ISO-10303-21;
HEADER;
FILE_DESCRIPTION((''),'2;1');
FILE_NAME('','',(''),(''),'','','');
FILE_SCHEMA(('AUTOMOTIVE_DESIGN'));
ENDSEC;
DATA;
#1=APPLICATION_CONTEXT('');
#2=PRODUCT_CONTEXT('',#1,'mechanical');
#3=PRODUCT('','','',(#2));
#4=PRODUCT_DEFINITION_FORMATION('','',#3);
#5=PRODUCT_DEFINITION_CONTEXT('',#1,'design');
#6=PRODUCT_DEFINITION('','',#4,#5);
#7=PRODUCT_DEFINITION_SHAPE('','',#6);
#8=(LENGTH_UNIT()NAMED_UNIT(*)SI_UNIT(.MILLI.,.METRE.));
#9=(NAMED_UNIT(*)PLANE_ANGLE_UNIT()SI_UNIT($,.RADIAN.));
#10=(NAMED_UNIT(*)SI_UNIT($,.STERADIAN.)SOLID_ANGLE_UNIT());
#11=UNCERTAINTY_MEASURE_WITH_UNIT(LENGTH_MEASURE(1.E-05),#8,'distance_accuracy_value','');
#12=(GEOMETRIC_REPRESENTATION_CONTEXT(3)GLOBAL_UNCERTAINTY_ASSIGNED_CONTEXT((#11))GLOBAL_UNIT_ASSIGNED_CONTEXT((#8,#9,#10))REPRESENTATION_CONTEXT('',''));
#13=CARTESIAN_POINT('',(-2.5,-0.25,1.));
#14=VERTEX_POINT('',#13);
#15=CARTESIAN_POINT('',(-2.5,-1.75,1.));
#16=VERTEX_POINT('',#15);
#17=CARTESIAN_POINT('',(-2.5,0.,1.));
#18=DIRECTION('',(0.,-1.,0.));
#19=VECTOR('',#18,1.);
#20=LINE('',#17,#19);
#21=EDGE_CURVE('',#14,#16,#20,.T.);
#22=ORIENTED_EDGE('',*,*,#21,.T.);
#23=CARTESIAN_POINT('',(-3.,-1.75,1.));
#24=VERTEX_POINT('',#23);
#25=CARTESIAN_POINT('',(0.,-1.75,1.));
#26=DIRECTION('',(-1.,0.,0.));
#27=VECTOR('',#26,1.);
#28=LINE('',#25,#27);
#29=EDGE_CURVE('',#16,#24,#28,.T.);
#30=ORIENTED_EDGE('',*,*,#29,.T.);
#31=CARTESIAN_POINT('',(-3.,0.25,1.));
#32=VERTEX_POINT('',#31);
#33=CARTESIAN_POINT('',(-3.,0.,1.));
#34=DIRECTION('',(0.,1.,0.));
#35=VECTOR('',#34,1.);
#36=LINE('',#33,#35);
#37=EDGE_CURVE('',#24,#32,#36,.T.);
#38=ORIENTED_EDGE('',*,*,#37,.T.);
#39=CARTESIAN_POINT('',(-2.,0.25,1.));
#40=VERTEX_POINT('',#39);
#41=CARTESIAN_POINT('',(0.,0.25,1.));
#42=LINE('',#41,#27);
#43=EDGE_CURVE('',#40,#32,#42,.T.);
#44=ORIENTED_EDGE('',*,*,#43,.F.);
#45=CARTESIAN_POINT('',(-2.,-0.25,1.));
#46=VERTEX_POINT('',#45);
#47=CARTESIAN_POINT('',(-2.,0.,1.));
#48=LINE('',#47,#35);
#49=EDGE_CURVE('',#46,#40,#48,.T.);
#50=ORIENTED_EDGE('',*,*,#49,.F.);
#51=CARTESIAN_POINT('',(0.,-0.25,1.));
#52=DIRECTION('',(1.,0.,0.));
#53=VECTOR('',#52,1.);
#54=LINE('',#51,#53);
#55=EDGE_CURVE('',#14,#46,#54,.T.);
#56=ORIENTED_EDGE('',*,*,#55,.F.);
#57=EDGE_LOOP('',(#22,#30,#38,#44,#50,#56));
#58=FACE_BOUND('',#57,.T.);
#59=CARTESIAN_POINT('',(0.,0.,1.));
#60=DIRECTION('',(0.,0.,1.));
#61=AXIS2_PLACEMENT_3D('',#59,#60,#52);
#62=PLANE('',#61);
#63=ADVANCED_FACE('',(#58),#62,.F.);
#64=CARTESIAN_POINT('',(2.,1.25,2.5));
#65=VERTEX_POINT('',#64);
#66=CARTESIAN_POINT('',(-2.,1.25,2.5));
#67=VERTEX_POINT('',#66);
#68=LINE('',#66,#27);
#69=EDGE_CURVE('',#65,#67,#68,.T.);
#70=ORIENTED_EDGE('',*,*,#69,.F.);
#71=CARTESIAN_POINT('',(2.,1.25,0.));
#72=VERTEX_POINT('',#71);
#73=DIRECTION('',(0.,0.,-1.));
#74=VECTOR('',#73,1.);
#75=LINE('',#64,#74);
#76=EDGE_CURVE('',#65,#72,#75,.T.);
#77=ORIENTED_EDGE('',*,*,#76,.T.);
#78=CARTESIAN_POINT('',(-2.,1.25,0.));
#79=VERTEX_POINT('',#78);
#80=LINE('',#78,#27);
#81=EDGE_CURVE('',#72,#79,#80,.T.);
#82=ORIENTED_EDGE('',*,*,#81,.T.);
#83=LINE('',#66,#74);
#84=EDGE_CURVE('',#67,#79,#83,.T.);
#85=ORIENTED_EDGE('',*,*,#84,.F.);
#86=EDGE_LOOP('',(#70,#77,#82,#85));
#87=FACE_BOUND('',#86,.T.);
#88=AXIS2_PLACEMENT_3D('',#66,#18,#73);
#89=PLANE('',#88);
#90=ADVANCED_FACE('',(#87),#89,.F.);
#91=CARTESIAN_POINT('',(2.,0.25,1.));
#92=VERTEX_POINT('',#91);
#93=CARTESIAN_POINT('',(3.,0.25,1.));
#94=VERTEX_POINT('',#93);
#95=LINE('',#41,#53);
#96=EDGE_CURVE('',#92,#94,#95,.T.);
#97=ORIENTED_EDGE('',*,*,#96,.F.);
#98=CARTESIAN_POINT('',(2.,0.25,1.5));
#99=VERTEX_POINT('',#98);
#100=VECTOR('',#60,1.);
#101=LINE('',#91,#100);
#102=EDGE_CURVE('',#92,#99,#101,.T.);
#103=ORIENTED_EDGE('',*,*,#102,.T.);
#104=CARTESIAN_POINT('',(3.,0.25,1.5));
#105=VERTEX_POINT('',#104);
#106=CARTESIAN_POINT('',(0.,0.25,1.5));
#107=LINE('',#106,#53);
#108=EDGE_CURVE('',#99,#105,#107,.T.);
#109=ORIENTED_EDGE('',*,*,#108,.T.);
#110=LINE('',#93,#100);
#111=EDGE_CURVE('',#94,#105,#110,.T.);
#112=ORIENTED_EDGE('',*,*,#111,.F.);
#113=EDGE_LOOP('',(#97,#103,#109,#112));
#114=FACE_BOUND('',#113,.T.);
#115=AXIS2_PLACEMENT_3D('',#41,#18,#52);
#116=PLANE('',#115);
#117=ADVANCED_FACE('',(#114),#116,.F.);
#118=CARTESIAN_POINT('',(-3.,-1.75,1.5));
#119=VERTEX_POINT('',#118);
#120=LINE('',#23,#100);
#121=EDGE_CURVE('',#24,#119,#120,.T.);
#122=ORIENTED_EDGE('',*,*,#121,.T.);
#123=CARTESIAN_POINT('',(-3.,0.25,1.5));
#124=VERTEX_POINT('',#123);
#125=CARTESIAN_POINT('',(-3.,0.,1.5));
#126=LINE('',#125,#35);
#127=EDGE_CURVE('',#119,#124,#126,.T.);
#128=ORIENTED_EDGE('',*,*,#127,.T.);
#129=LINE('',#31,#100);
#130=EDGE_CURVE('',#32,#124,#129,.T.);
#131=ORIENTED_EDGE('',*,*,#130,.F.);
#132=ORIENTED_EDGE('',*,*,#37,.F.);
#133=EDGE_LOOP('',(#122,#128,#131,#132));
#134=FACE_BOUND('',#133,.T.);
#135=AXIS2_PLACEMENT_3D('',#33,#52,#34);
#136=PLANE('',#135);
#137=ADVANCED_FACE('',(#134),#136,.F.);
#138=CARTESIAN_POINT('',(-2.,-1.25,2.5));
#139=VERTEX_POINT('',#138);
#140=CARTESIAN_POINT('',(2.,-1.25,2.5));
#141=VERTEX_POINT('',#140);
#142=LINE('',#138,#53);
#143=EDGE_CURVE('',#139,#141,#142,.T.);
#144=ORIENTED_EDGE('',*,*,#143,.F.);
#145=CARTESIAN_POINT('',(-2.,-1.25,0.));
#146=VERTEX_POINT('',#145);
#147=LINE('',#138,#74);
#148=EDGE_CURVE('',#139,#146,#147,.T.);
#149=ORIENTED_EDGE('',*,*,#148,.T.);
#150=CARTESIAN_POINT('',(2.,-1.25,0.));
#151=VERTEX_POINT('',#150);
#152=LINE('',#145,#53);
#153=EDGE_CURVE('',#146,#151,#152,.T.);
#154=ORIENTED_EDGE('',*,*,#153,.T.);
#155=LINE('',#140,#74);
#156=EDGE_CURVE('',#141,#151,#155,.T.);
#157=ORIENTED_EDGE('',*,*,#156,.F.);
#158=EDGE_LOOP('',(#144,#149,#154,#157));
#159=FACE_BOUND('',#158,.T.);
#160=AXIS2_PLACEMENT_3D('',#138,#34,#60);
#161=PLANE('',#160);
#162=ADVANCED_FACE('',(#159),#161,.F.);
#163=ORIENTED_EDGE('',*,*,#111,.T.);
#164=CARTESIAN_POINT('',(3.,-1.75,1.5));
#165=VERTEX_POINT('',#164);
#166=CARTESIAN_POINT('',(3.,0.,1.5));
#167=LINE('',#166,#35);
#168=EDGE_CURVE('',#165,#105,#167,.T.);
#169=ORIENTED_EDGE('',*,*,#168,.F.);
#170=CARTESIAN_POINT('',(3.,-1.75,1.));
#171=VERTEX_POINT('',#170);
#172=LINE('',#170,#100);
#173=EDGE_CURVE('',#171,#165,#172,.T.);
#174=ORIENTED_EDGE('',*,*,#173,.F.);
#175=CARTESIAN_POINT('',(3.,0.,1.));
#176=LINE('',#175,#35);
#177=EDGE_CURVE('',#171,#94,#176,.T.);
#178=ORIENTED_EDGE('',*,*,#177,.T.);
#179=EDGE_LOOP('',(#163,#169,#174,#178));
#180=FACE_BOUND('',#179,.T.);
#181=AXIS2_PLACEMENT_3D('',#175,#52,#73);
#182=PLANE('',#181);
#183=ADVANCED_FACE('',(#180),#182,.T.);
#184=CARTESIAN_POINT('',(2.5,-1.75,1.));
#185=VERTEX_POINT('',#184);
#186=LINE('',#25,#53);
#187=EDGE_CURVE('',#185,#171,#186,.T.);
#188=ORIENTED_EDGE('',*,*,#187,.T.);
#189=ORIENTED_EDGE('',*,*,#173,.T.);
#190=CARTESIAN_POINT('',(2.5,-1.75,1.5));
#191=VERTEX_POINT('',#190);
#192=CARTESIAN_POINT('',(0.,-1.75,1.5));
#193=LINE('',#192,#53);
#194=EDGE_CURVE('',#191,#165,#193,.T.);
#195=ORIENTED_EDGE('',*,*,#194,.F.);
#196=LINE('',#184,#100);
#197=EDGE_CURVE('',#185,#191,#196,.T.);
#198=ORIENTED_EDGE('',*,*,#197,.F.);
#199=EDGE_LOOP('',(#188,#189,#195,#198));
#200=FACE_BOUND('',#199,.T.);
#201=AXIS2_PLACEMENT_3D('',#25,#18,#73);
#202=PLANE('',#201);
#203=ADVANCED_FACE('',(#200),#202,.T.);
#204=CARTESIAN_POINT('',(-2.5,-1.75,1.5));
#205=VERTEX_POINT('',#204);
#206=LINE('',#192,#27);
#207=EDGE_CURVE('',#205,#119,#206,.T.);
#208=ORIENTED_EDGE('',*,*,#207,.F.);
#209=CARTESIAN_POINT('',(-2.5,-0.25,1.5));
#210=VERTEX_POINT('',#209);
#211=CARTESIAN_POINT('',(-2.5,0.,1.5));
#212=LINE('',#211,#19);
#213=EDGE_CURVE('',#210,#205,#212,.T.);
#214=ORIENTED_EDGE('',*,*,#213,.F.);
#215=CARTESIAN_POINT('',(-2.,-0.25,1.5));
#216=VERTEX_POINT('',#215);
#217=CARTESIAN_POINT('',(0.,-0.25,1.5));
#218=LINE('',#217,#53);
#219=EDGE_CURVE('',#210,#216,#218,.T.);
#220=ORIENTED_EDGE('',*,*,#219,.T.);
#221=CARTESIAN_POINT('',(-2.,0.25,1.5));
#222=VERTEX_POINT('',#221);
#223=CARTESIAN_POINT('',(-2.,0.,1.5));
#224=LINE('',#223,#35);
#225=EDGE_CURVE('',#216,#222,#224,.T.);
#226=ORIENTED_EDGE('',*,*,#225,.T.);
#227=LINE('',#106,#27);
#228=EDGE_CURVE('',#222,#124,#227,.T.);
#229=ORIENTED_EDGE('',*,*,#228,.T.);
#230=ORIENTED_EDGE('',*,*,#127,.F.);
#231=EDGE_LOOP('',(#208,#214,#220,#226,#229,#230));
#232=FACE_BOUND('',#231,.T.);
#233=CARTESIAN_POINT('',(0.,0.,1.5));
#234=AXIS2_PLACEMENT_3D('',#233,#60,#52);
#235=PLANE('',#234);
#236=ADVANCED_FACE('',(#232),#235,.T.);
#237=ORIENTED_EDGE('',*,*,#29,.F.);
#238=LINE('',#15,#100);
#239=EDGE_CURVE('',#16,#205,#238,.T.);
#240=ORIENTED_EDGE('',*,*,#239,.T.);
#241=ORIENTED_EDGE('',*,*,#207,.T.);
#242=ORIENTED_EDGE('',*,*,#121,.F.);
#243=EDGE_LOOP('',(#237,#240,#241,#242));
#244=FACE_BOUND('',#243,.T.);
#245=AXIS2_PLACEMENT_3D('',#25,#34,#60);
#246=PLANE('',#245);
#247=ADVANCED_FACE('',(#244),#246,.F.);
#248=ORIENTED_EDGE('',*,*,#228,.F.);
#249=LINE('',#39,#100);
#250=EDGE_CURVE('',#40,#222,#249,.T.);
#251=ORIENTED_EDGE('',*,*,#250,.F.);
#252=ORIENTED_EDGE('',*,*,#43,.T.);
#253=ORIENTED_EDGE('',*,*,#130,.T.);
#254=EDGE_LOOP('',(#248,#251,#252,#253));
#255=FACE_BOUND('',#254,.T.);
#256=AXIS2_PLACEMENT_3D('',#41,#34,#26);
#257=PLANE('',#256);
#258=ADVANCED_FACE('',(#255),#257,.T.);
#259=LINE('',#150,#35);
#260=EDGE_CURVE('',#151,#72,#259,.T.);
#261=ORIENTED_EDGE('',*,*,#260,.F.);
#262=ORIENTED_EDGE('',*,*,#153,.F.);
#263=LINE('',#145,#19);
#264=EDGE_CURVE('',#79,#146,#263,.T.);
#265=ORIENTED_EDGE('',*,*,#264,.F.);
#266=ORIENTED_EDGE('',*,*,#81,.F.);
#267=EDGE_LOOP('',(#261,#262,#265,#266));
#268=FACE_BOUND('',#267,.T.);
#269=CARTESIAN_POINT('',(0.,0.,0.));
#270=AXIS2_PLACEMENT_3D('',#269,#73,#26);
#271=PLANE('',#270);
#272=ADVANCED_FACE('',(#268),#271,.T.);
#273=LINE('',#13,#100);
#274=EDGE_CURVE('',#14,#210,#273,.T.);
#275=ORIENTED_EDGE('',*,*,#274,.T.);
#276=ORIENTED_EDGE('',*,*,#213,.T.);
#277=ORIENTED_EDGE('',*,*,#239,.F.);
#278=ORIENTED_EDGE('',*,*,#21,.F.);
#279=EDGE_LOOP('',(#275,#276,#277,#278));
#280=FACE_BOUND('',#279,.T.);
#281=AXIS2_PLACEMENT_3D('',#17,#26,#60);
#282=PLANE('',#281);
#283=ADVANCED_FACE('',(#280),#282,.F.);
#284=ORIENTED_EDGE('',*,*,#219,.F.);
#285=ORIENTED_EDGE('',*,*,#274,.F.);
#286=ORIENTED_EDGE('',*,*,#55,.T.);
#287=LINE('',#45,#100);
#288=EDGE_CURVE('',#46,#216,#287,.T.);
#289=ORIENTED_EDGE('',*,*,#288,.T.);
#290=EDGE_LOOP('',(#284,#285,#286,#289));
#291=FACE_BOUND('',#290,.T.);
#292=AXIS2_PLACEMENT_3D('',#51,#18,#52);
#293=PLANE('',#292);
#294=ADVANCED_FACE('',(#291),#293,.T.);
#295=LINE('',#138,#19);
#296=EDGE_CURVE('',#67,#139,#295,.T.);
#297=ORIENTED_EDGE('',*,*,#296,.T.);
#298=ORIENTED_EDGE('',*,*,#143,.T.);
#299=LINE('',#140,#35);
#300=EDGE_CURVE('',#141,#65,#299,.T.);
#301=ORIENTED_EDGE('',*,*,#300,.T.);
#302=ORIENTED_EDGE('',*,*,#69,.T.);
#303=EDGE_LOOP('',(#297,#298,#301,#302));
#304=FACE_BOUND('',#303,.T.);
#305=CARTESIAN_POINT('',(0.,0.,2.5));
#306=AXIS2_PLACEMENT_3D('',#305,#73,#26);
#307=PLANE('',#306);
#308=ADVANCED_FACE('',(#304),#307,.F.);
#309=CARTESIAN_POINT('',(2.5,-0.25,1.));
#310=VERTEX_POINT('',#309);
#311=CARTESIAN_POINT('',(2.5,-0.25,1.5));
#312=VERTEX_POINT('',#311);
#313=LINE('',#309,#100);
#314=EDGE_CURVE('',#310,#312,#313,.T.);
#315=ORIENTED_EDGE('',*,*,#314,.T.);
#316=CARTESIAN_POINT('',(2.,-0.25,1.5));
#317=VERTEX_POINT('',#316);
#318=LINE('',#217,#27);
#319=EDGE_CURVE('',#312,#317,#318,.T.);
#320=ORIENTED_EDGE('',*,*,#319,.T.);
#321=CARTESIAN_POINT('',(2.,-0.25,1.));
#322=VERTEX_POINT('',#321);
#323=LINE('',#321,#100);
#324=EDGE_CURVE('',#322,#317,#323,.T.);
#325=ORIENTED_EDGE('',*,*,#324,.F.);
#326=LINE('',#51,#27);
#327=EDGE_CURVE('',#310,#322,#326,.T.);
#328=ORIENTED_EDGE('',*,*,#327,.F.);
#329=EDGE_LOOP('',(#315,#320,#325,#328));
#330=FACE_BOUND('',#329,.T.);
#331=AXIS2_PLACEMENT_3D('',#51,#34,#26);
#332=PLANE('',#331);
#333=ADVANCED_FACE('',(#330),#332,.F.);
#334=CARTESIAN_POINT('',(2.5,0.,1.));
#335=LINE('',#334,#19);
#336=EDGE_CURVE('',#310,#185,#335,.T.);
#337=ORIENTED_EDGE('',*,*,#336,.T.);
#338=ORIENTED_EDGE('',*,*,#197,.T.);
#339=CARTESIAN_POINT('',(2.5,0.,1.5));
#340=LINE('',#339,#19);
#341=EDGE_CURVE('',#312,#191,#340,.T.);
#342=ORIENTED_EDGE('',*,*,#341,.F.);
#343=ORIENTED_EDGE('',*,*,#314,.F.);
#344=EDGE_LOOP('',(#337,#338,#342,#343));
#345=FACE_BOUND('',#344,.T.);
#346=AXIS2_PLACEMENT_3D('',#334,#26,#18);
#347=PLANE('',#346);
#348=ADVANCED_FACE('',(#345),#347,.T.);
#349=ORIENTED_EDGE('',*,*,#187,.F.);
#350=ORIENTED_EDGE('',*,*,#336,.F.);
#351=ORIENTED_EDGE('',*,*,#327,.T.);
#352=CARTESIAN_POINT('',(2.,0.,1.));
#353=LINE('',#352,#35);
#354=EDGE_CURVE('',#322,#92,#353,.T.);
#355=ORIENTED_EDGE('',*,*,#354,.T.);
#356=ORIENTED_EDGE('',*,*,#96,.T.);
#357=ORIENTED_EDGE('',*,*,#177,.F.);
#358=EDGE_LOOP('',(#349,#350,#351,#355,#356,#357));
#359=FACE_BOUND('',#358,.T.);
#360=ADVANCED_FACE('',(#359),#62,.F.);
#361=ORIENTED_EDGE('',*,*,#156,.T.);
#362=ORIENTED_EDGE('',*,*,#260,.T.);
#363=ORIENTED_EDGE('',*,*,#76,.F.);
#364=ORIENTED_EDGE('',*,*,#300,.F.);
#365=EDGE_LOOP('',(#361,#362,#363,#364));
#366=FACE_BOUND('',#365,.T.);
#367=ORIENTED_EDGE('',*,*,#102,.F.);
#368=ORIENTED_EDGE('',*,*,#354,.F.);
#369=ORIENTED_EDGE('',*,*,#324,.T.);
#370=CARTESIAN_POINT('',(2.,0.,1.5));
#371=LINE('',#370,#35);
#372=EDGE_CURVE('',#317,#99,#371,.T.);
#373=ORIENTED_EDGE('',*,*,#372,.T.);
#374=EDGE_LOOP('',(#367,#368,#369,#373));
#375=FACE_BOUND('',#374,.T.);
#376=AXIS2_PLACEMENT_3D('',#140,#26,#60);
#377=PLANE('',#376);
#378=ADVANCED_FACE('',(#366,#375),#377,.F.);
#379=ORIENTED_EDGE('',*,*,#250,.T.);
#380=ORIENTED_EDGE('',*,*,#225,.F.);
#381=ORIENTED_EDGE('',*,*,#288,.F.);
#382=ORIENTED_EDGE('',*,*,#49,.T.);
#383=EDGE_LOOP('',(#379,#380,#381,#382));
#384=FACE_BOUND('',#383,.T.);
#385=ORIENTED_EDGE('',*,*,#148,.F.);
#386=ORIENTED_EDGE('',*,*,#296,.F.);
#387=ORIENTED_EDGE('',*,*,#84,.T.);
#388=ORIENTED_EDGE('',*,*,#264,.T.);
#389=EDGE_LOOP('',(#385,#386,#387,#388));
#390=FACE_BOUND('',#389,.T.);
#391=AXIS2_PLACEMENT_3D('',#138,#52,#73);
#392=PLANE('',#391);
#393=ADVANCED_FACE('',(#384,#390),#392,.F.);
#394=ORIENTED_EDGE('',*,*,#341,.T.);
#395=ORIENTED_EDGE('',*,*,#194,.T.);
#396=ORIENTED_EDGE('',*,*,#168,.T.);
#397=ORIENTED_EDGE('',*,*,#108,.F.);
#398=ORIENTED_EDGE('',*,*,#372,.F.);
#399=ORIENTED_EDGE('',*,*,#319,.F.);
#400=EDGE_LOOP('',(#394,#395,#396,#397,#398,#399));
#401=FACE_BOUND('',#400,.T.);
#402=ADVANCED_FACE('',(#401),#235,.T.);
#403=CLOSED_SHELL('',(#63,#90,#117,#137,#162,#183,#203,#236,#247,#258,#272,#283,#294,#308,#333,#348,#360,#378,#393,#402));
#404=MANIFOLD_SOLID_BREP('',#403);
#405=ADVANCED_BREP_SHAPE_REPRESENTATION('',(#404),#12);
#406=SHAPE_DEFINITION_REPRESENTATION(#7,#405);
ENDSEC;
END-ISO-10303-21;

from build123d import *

# Parameters (mm, degrees)
SKETCH99_W               = 4
SKETCH99_H               = 2.5
BOSS_EXTRUDE5_DEPTH      = 2.5
BOSS_EXTRUDE6_DEPTH      = 0.25
BOSS_EXTRUDE6_DEPTH_BACK = 0.25


with BuildPart() as part:
    # Sketch99 → Boss-Extrude5 (new body)
    with BuildSketch(Plane.XY):
        Rectangle(SKETCH99_W, SKETCH99_H)
    extrude(amount=BOSS_EXTRUDE5_DEPTH)

    # Sketch100 → Boss-Extrude6 (add, two sides)
    with BuildSketch(Plane.XY.offset(1.25)) as boss_extrude6_sk:
        Polygon((2, 0.25), (2, -0.25), (2.5, -0.25), (2.5, -1.75), (3, -1.75), (3, -0.25), (3, 0.25), align=None)
        Polygon((-2.5, -0.25), (-2.5, -1.75), (-3, -1.75), (-3, 0.25), (-2, 0.25), (-2, -0.25), align=None)
    extrude(amount=BOSS_EXTRUDE6_DEPTH)
    extrude(boss_extrude6_sk.sketch, amount=-BOSS_EXTRUDE6_DEPTH_BACK)


solid = part.part
